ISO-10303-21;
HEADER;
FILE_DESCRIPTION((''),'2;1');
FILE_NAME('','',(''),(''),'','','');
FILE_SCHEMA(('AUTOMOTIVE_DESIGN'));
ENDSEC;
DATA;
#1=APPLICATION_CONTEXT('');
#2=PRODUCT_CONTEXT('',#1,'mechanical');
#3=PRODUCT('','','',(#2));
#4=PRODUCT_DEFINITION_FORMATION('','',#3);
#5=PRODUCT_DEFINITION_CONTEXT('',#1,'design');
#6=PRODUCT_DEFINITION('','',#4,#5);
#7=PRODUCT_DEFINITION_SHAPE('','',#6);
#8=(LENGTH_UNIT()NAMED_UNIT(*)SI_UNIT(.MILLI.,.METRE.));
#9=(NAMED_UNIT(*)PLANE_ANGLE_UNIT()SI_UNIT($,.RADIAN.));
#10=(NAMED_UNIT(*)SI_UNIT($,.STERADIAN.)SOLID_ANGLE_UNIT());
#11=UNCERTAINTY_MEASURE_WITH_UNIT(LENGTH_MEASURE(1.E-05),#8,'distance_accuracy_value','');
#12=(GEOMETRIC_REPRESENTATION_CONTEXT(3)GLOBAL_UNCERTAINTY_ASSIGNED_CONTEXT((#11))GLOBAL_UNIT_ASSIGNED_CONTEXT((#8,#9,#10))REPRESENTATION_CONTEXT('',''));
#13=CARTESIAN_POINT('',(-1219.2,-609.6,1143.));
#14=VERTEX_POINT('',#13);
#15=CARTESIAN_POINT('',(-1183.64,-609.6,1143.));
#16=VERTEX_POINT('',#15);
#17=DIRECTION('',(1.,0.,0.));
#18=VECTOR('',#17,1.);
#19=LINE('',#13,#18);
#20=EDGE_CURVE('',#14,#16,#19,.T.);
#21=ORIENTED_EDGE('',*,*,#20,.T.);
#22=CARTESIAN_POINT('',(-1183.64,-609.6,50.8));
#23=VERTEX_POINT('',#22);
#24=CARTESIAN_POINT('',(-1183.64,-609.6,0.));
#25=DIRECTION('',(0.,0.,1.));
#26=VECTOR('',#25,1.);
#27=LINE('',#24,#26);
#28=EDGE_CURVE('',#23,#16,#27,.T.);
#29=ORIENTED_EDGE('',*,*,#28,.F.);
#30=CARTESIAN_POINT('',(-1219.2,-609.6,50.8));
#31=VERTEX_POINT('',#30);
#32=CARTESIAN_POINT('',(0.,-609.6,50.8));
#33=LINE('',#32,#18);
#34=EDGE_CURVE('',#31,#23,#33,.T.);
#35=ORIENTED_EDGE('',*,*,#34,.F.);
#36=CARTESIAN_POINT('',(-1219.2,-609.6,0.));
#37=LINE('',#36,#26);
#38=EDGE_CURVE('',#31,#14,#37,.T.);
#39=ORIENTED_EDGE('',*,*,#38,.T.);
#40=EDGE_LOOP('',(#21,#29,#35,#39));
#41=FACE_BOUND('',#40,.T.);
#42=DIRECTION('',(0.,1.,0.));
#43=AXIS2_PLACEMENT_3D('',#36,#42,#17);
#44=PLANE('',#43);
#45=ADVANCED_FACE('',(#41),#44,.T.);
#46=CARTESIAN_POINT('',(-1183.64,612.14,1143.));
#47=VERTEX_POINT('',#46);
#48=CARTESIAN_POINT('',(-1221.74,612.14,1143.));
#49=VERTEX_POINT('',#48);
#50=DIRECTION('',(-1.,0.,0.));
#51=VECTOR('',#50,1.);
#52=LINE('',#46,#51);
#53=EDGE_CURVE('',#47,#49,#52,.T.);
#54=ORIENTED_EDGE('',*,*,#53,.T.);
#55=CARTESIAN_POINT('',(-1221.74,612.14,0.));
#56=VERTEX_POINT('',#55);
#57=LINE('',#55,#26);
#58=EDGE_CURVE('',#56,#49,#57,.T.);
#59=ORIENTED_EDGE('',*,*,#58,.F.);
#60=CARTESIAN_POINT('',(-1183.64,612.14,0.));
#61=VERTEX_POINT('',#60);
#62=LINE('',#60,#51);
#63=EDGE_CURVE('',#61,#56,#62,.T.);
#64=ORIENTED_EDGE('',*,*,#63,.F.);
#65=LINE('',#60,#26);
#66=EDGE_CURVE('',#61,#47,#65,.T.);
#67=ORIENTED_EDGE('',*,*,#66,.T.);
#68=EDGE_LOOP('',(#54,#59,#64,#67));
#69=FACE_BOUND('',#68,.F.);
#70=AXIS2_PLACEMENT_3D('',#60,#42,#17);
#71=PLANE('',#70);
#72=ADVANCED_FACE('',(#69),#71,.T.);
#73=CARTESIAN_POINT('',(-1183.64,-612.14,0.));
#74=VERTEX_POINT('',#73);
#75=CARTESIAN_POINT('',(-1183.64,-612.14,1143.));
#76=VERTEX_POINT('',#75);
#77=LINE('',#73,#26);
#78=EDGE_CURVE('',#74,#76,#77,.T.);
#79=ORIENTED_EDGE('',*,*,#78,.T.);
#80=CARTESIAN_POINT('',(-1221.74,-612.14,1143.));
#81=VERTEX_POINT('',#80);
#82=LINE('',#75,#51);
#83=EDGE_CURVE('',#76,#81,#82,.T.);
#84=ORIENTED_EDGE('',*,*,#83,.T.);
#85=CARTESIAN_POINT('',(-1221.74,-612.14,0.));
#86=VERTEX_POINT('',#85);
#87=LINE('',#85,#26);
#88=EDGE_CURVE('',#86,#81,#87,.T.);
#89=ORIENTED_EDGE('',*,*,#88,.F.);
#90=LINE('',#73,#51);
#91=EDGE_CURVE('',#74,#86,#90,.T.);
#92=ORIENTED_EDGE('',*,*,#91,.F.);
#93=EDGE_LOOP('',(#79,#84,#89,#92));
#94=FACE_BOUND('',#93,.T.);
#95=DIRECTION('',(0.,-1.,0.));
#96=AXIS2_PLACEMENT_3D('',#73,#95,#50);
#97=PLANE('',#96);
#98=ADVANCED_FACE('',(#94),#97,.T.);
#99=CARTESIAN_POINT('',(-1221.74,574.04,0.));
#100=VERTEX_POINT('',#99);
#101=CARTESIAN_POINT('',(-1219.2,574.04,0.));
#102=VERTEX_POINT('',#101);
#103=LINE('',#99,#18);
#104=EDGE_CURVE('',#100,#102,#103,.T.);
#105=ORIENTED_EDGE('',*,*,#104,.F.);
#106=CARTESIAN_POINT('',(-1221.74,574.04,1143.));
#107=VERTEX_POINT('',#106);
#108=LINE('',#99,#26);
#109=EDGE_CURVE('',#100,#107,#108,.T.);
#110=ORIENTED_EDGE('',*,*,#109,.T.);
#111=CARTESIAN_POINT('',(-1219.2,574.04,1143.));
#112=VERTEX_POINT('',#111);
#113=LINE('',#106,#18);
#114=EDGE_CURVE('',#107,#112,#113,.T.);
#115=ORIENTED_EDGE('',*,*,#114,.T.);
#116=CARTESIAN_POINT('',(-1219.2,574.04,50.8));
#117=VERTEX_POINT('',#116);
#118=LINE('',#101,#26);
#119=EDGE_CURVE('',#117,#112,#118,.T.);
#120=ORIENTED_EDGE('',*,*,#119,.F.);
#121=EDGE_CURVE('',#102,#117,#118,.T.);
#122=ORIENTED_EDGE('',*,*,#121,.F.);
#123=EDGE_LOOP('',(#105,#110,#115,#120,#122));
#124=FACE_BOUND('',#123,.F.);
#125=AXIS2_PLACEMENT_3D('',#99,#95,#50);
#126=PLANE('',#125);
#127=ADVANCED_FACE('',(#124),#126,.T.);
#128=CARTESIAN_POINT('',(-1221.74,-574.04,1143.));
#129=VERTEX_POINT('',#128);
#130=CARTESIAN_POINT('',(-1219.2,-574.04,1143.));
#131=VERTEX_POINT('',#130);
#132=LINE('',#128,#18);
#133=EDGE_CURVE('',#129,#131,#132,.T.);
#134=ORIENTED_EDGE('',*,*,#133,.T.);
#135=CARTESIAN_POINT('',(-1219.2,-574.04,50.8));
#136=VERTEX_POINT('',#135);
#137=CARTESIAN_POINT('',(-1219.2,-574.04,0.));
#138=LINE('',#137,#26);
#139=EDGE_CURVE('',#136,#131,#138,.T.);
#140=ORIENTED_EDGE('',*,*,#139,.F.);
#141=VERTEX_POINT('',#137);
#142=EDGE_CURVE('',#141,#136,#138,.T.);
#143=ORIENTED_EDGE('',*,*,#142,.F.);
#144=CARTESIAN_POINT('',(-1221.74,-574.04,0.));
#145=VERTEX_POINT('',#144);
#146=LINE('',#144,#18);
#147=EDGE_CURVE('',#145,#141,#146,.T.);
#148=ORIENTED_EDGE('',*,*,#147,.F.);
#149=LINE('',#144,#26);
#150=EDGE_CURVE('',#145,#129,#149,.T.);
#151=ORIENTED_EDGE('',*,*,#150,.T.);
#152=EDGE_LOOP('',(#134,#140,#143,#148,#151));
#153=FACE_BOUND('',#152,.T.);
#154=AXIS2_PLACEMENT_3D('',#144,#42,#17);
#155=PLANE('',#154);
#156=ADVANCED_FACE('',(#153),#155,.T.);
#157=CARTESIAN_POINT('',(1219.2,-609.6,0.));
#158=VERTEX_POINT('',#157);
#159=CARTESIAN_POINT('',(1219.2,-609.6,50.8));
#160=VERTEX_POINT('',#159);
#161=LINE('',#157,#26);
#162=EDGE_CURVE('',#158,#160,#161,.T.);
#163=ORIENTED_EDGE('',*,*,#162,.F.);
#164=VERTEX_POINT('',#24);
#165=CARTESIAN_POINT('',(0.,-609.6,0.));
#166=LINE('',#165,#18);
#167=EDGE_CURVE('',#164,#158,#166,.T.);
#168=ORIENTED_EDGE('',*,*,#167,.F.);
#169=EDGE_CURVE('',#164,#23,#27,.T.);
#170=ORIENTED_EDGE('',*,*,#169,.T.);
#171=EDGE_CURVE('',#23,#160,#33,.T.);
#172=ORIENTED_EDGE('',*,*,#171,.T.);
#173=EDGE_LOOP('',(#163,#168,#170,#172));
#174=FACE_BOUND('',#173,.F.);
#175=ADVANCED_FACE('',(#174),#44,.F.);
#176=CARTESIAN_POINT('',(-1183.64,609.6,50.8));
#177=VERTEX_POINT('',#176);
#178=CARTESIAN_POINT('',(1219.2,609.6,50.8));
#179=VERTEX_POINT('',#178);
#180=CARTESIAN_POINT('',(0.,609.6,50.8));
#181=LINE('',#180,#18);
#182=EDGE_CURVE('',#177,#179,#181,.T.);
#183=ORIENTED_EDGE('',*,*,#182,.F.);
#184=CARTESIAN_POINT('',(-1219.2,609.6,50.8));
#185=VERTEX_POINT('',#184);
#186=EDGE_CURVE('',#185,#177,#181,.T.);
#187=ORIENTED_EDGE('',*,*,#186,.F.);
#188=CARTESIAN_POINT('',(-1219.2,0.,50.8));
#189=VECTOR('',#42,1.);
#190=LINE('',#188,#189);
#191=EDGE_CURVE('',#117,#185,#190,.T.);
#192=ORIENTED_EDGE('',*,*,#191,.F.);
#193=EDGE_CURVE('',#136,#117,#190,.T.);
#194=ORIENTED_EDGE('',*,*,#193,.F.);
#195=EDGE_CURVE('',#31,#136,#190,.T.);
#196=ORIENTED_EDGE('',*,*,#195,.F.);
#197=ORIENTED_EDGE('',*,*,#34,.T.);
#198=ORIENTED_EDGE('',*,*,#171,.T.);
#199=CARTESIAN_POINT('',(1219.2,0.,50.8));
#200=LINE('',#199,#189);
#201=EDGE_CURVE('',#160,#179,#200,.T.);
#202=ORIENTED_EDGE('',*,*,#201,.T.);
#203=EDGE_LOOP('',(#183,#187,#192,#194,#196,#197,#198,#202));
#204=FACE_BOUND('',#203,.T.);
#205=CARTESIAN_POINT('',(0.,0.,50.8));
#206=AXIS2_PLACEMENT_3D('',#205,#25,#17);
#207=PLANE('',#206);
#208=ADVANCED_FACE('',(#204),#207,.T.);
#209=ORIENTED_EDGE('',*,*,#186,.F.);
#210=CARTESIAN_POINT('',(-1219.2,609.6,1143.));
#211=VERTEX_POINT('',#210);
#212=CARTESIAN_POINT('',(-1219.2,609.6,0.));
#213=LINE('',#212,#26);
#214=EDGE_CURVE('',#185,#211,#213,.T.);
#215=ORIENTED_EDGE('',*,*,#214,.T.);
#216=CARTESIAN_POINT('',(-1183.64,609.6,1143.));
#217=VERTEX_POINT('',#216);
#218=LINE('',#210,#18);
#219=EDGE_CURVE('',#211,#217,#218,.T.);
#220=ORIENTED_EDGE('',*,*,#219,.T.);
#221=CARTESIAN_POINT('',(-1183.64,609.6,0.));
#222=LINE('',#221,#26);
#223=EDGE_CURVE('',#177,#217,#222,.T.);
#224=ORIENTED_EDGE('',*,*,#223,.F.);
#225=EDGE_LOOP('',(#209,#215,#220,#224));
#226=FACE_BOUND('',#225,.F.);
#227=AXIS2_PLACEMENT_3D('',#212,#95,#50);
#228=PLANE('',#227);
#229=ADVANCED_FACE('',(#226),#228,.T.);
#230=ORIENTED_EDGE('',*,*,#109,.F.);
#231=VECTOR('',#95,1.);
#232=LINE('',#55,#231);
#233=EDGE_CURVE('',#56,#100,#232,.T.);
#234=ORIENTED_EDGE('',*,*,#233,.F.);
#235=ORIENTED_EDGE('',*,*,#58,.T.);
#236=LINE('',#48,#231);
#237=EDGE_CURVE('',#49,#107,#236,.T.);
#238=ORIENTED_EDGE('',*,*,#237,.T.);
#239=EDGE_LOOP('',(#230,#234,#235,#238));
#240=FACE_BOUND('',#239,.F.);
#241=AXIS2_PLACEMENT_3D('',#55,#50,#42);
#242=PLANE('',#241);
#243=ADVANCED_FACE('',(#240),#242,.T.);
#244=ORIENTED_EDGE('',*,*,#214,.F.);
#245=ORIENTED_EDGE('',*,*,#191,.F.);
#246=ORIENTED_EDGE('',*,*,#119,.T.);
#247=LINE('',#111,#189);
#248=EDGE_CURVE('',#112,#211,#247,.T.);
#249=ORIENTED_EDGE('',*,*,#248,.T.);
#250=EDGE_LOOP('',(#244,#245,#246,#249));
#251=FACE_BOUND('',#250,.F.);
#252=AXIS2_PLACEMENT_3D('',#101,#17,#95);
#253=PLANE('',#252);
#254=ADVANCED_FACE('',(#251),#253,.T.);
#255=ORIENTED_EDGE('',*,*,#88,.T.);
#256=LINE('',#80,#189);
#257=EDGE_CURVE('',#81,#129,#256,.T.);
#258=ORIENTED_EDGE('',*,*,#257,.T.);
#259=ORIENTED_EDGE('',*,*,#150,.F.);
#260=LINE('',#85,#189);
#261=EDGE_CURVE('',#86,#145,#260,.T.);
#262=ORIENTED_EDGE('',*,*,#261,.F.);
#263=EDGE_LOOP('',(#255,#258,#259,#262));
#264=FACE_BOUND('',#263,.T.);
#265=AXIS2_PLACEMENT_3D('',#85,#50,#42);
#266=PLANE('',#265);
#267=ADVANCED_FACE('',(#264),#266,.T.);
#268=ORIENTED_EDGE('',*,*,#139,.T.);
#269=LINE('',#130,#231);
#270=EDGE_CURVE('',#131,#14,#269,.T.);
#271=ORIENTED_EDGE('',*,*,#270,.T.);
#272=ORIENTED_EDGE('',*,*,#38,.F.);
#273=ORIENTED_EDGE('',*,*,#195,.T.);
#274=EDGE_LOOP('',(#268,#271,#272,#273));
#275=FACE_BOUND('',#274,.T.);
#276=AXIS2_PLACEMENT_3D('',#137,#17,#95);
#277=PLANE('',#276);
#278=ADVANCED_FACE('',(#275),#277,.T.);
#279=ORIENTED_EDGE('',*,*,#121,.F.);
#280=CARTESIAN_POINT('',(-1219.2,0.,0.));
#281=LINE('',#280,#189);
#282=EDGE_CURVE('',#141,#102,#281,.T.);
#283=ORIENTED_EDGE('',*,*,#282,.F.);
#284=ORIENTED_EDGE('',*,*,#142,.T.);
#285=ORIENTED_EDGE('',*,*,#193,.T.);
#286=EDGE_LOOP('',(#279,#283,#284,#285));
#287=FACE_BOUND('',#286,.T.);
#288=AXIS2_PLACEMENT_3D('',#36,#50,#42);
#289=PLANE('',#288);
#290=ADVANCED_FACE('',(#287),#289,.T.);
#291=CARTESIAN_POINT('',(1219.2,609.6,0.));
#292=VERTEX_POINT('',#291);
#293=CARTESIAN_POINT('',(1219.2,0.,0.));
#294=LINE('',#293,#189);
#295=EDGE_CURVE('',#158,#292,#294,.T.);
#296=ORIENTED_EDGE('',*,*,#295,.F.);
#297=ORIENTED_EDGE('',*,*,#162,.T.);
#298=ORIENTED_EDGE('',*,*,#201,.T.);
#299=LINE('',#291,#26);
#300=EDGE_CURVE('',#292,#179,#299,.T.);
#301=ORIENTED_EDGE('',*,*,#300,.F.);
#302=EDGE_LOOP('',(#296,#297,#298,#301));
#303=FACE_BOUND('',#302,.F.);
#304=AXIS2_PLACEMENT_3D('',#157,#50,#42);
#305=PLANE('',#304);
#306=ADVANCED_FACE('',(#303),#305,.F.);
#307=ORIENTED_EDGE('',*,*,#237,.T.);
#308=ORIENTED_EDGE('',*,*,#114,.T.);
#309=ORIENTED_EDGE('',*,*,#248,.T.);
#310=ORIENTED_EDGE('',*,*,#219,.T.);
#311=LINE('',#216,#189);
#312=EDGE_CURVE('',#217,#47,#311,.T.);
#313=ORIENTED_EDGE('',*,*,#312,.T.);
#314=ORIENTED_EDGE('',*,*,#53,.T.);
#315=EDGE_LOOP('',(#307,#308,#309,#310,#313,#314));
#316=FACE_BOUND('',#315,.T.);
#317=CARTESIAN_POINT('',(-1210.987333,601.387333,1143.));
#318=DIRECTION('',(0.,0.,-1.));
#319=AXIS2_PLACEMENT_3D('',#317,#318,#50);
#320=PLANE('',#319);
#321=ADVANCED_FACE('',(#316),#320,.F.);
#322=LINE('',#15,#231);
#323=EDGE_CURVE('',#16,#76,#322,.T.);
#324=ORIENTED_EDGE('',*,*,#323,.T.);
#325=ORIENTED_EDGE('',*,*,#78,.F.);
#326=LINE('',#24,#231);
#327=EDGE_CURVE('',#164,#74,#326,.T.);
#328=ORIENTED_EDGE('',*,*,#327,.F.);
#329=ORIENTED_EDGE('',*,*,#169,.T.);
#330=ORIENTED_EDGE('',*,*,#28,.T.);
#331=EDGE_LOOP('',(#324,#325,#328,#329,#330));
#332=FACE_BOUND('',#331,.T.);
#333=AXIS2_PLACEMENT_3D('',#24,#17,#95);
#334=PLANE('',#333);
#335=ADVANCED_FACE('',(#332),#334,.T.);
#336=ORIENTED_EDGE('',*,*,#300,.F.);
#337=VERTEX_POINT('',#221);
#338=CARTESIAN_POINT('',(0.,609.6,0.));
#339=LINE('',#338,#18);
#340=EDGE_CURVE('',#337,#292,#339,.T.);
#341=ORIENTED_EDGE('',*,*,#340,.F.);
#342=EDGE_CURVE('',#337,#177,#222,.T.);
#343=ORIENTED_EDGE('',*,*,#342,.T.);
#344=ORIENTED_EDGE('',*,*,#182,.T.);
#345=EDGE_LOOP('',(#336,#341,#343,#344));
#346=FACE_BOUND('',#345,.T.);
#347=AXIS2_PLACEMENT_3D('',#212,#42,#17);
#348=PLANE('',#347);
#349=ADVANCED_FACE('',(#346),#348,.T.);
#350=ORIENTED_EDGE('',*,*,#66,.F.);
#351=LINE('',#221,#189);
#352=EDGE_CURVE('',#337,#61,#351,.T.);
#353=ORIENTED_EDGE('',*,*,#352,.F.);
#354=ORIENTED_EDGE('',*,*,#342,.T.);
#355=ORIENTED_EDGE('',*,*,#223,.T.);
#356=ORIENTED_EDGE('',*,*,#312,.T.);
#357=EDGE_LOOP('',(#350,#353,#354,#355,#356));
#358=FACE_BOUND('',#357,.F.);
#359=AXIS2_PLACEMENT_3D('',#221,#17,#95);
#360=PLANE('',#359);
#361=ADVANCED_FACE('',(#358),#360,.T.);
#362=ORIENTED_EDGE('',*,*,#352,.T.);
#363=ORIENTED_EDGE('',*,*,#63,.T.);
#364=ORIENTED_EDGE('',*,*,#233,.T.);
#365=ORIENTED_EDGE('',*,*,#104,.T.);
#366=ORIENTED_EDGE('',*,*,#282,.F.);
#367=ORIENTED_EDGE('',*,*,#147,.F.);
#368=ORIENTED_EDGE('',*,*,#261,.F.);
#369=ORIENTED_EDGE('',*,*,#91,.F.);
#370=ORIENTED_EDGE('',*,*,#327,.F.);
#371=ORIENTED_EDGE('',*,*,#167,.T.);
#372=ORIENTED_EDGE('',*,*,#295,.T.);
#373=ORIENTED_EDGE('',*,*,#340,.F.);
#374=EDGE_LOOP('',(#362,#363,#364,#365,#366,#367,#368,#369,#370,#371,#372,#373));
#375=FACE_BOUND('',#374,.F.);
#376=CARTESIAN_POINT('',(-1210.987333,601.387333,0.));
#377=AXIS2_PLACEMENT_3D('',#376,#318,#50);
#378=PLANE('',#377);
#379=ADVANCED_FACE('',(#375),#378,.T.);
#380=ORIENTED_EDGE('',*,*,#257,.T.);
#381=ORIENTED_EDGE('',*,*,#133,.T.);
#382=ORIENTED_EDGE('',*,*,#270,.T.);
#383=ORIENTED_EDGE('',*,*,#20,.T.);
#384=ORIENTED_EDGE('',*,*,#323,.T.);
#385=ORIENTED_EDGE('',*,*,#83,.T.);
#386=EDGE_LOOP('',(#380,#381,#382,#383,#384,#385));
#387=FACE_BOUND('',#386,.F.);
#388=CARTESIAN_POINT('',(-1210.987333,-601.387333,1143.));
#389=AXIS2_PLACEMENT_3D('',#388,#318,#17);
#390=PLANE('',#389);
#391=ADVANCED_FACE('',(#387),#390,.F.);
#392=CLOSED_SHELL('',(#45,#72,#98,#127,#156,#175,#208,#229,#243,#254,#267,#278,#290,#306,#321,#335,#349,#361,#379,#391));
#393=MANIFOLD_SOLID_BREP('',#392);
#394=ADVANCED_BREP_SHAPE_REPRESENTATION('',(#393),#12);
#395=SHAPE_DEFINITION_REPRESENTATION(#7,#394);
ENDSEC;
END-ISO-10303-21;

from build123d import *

# Parameters (mm, degrees)
F0_W     = 2438.4
F0_H     = 1219.2
F1_DEPTH = 50.8
F3_DEPTH = 1143


with BuildPart() as f1:
    # F0 (on Top) → F1 (new body)
    with BuildSketch(Plane.XY):
        Rectangle(F0_W, F0_H)
    extrude(amount=F1_DEPTH)

    # F2 (on face) → F3 (join)
    with BuildSketch(Plane(origin=(0, 0, 0), x_dir=(1, 0, 0), z_dir=(0, 0, -1))):
        Polygon((-1183.64, 612.14), (-1221.74, 612.14), (-1221.74, 574.04), (-1219.2, 574.04), (-1219.2, 609.6), (-1183.64, 609.6), align=None)
    extrude(amount=-F3_DEPTH)

    # F4: F1 across plane


with BuildPart() as f1_1:
    add(f1.part)
    add(f1.part.mirror(Plane.XZ))


solid = f1_1.part
